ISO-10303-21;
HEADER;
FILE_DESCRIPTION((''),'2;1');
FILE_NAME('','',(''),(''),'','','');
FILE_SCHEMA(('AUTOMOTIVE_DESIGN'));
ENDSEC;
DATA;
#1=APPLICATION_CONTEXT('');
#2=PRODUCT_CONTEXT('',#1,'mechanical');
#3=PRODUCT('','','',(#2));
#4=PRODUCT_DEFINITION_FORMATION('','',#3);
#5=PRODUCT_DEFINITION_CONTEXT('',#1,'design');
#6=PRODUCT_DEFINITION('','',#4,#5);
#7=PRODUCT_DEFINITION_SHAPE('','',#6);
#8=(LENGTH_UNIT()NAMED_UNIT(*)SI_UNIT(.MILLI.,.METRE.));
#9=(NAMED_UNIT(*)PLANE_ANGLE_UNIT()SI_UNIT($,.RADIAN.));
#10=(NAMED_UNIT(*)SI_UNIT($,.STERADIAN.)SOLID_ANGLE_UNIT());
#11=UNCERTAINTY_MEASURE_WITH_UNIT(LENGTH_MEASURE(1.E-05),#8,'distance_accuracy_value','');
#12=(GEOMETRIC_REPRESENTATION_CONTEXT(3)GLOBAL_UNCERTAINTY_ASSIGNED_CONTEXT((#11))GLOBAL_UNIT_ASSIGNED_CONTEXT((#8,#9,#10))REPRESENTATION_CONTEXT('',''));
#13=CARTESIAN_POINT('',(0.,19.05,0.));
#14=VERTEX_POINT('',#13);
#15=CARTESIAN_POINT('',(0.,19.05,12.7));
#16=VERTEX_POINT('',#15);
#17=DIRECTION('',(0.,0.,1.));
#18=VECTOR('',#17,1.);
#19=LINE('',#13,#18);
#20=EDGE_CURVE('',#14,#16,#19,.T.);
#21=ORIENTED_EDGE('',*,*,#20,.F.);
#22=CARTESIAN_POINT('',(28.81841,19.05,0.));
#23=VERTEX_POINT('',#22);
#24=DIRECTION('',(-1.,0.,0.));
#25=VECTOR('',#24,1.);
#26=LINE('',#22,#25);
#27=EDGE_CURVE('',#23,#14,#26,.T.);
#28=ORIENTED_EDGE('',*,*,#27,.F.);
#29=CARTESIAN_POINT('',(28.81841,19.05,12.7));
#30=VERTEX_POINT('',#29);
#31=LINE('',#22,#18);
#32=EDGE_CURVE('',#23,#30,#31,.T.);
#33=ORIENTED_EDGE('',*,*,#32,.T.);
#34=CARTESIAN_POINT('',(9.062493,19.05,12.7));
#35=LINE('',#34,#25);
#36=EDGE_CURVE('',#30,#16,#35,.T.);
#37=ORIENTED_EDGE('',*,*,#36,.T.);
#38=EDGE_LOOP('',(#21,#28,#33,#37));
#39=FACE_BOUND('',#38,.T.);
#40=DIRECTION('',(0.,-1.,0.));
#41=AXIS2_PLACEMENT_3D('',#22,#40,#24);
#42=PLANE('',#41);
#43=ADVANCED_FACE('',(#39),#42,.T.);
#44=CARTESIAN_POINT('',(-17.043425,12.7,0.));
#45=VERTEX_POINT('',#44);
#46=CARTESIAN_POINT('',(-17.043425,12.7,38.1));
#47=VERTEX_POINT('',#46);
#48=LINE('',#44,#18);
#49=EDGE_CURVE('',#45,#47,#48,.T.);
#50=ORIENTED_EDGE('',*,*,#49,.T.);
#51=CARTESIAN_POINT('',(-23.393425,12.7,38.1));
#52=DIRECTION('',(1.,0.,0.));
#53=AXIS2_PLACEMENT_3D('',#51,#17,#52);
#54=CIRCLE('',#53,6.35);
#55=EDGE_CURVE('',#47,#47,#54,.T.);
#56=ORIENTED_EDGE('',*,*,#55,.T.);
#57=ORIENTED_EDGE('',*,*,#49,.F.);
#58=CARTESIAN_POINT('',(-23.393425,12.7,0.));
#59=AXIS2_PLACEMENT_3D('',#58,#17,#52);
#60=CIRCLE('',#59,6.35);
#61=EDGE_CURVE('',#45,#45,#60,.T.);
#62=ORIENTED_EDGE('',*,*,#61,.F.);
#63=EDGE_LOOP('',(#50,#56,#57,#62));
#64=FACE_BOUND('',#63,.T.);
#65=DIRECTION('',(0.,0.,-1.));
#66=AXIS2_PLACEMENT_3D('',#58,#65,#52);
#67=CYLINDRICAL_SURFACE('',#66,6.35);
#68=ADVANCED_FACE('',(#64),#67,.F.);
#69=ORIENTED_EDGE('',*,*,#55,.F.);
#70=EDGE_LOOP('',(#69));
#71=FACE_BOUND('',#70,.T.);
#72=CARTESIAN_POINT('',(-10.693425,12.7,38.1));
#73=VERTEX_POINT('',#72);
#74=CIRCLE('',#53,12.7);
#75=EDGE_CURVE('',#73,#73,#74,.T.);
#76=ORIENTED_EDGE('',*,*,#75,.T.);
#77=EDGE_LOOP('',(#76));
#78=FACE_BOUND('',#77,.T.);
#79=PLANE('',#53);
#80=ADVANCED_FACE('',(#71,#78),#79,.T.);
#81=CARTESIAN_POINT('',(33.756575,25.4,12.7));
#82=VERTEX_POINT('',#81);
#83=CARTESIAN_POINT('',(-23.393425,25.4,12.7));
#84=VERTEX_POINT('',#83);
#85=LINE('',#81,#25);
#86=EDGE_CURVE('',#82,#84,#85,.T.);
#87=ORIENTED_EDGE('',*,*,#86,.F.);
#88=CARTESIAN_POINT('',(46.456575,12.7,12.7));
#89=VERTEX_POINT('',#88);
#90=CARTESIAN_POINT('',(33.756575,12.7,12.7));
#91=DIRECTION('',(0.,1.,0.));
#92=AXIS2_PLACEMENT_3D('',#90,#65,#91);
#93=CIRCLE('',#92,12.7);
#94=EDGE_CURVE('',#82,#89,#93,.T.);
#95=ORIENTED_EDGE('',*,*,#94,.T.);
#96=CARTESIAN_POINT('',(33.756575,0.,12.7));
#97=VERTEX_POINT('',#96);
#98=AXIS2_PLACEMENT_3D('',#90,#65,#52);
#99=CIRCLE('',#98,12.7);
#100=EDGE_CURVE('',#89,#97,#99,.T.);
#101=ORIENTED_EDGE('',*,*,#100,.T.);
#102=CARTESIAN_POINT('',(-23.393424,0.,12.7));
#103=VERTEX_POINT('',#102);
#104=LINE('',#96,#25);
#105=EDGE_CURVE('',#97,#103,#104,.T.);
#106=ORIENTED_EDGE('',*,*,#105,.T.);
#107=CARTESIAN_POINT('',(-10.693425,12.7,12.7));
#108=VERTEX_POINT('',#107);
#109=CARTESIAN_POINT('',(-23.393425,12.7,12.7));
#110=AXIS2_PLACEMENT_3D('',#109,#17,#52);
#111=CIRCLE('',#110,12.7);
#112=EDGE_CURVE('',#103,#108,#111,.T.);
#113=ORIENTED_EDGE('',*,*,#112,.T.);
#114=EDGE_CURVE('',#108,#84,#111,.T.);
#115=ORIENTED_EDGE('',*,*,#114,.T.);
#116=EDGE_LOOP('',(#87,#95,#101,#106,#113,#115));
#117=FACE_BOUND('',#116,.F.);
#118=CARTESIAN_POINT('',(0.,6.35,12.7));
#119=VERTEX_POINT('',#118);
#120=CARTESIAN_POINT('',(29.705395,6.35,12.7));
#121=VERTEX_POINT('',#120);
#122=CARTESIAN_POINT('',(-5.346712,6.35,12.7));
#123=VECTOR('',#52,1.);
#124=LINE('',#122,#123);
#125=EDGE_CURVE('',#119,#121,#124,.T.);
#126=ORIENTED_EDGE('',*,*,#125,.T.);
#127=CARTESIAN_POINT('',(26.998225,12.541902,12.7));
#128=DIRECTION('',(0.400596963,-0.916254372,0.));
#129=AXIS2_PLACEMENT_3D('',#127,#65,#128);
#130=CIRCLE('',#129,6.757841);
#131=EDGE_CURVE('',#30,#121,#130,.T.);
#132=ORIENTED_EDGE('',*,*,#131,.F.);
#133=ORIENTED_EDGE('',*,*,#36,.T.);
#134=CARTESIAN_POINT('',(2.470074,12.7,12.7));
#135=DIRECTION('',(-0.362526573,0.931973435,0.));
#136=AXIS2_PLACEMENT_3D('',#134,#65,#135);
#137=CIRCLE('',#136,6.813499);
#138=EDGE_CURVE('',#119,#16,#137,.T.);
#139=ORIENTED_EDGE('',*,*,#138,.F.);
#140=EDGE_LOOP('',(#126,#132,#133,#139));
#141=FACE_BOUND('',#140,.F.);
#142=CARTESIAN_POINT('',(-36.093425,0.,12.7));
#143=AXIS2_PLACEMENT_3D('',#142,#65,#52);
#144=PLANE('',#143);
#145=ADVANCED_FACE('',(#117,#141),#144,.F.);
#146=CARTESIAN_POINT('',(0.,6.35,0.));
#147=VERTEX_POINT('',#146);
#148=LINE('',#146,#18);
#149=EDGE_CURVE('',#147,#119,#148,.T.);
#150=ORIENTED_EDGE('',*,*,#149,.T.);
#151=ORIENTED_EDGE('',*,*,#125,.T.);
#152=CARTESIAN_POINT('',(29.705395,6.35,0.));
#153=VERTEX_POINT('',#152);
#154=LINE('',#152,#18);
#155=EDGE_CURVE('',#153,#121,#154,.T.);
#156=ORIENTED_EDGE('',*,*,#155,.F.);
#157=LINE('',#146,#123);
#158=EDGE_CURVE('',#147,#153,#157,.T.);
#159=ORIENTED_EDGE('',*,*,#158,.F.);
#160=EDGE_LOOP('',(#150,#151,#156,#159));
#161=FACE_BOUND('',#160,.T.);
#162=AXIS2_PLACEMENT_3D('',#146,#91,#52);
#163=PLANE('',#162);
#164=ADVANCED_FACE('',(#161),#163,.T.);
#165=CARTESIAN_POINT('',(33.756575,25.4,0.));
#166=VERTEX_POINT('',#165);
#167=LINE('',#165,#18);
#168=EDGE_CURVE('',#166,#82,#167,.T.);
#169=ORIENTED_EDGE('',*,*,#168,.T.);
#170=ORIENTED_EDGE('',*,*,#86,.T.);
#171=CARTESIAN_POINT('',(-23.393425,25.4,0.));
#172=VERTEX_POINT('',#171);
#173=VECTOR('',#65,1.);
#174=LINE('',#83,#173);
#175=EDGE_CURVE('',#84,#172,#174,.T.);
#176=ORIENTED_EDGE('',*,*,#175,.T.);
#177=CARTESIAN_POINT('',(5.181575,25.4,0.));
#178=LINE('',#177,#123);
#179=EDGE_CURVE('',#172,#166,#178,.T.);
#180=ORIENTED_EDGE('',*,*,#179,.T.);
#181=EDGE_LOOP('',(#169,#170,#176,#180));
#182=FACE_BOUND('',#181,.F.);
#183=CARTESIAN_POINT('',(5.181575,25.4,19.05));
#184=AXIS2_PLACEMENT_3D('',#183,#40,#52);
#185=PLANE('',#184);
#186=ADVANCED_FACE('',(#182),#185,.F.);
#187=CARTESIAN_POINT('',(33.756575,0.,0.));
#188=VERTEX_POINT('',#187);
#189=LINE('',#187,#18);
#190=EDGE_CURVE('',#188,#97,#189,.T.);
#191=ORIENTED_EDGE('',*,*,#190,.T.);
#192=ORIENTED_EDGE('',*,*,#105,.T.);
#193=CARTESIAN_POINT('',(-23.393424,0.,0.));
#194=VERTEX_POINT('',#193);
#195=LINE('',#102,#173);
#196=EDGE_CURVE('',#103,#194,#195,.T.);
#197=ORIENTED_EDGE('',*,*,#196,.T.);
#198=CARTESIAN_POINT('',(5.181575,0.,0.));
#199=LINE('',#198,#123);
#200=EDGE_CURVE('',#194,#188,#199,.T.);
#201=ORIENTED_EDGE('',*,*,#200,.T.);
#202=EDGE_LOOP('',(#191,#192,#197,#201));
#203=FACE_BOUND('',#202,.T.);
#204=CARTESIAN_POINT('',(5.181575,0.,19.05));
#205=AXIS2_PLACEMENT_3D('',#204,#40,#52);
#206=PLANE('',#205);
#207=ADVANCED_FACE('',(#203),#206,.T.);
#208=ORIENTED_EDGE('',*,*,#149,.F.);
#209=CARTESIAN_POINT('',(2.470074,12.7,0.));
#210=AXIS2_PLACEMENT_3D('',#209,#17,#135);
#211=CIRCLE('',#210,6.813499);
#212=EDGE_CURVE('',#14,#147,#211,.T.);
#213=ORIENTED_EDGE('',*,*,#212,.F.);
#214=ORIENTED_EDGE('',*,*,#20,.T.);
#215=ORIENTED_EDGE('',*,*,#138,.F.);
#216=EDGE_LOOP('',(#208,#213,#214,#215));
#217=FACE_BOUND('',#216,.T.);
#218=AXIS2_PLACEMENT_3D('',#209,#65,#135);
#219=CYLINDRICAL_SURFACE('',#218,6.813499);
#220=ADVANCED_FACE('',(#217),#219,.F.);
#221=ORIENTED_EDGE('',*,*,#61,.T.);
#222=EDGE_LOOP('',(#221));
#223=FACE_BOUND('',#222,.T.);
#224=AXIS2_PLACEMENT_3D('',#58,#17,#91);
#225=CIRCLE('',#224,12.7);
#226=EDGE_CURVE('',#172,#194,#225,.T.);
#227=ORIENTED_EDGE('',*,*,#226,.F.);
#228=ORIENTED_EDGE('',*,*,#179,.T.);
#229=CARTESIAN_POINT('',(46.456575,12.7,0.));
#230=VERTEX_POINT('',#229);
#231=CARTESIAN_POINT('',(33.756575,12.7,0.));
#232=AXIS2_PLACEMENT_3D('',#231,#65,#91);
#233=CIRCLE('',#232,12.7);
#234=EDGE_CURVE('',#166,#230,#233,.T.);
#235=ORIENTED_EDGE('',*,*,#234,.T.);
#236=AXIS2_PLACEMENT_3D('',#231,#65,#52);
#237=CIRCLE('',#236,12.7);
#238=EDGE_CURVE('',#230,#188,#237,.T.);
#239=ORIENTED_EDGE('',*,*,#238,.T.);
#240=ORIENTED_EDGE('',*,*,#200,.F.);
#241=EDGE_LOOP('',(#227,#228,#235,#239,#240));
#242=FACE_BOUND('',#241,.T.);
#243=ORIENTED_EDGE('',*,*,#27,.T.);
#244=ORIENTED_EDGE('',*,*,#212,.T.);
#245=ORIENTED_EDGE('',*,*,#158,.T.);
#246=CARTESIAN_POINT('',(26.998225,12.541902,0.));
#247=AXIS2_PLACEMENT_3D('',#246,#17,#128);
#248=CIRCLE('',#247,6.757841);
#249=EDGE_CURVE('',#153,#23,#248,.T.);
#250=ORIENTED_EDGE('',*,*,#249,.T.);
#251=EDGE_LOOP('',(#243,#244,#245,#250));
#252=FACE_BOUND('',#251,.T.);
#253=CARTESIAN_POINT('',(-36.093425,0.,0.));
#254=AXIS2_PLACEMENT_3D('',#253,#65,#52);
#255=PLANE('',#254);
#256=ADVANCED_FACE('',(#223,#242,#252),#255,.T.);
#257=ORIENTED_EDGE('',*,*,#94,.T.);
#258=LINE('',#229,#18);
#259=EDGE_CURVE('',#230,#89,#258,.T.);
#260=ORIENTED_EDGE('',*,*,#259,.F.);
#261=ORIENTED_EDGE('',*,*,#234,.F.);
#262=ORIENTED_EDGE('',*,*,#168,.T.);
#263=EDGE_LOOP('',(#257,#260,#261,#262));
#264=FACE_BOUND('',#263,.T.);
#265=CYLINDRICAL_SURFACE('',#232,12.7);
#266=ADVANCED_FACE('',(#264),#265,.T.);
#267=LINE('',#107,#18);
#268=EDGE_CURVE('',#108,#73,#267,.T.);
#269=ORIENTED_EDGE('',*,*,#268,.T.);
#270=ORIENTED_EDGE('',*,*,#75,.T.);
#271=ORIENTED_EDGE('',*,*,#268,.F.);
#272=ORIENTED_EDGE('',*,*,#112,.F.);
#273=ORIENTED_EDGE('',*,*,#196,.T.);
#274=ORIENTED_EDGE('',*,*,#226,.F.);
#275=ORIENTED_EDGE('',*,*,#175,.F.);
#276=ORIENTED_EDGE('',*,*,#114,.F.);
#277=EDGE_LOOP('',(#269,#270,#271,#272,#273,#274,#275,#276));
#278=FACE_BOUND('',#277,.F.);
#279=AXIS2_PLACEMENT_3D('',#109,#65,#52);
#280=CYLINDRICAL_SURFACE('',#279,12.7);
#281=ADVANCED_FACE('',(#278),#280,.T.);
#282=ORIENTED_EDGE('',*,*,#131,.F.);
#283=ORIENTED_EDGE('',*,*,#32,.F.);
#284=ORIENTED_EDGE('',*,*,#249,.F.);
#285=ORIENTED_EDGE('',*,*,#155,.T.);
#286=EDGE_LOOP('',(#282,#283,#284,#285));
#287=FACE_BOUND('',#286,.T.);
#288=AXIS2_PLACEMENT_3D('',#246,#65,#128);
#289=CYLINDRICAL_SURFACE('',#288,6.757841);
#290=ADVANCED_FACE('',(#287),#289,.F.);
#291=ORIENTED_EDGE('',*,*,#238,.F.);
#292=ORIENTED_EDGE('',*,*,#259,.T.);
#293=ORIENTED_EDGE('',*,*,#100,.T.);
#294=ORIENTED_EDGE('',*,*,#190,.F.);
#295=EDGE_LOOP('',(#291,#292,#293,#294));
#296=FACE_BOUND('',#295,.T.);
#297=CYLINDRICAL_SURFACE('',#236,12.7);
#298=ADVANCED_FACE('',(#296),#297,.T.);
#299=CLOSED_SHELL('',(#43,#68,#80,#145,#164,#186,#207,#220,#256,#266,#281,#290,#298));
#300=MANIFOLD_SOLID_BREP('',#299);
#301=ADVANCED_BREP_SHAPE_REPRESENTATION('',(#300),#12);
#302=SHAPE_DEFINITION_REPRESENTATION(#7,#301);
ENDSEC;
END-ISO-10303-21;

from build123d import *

# Parameters (mm, degrees)
F0_W      = 82.55
F0_H      = 38.1
F1_DEPTH  = 25.4
F2_W      = 57.15
F2_H      = 25.4
F3_DEPTH  = 25.4
F5_DEPTH  = 25.4
F7_DEPTH  = 25.4
F8_W      = 25.4
F8_H      = 25.4
F9_DEPTH  = 25.4
F10_R     = 12.7
F11_DEPTH = 25.4
F12_R     = 6.35
F13_DEPTH = 38.1
F14_DEPTH = 25.4


with BuildPart() as f1:
    # F0 (on Front) → F1 (new body)
    with BuildSketch(Plane.XZ):
        with Locations((5.1815754888, 19.05)):
            Rectangle(F0_W, F0_H)
    extrude(amount=-F1_DEPTH)

    # F2 (on Front) → F3 (cut)
    with BuildSketch(Plane.XZ):
        with Locations((17.8815754888, 25.4)):
            Rectangle(F2_W, F2_H)
    extrude(amount=-F3_DEPTH, mode=Mode.SUBTRACT)

    # F4 (on Top) → F5 (cut)
    with BuildSketch(Plane.XY):
        with BuildLine():
            ThreePointArc((33.7565754888, 25.4), (42.7368316099, 21.6802561211), (46.4565754888, 12.7))
            Line((46.4565754888, 12.7), (46.4565754888, 25.4))
            Line((46.4565754888, 25.4), (33.7565754888, 25.4))
        make_face()
        with BuildLine():
            ThreePointArc((46.4565754888, 12.7), (42.7368316099, 3.7197438789), (33.7565754888, 0))
            Line((33.7565754888, 0), (46.4565754888, 0))
            Line((46.4565754888, 0), (46.4565754888, 12.7))
        make_face()
    extrude(amount=F5_DEPTH, mode=Mode.SUBTRACT)

    # F6 (on Top) → F7 (cut)
    with BuildSketch(Plane.XY):
        with BuildLine():
            Line((28.8184100731, 19.05), (0, 19.05))
            ThreePointArc((0, 19.05), (-4.3434245112, 12.7), (0, 6.35))
            Line((0, 6.35), (29.70539537, 6.35))
            ThreePointArc((29.70539537, 6.35), (33.7396442751, 13.0127315686), (28.8184100731, 19.05))
        make_face()
    extrude(amount=F7_DEPTH, mode=Mode.SUBTRACT)

    # F8 (on face) → F9 (cut)
    with BuildSketch(Plane.XZ):
        with Locations((-23.3934245112, 25.4)):
            Rectangle(F8_W, F8_H)
    extrude(amount=-F9_DEPTH, mode=Mode.SUBTRACT)

    # F10 (on face) → F11 (join)
    with BuildSketch(Plane.XY.offset(12.7)):
        with Locations((-23.3934245112, 12.7)):
            Circle(F10_R)
    extrude(amount=F11_DEPTH)

    # F12 (on Top) → F13 (cut)
    with BuildSketch(Plane.XY):
        with Locations((-23.3934245112, 12.7)):
            Circle(F12_R)
    extrude(amount=F13_DEPTH, mode=Mode.SUBTRACT)

    # F14 (cut): faces of the model
    f14_faces = [f1.faces().sort_by_distance(p)[0] for p in [
        (-33.2566516865, 22.5632271754, 12.7),
        (-33.2566516865, 2.8367728246, 12.7),
    ]]
    extrude(f14_faces, amount=-F14_DEPTH, mode=Mode.SUBTRACT)


solid = f1.part
